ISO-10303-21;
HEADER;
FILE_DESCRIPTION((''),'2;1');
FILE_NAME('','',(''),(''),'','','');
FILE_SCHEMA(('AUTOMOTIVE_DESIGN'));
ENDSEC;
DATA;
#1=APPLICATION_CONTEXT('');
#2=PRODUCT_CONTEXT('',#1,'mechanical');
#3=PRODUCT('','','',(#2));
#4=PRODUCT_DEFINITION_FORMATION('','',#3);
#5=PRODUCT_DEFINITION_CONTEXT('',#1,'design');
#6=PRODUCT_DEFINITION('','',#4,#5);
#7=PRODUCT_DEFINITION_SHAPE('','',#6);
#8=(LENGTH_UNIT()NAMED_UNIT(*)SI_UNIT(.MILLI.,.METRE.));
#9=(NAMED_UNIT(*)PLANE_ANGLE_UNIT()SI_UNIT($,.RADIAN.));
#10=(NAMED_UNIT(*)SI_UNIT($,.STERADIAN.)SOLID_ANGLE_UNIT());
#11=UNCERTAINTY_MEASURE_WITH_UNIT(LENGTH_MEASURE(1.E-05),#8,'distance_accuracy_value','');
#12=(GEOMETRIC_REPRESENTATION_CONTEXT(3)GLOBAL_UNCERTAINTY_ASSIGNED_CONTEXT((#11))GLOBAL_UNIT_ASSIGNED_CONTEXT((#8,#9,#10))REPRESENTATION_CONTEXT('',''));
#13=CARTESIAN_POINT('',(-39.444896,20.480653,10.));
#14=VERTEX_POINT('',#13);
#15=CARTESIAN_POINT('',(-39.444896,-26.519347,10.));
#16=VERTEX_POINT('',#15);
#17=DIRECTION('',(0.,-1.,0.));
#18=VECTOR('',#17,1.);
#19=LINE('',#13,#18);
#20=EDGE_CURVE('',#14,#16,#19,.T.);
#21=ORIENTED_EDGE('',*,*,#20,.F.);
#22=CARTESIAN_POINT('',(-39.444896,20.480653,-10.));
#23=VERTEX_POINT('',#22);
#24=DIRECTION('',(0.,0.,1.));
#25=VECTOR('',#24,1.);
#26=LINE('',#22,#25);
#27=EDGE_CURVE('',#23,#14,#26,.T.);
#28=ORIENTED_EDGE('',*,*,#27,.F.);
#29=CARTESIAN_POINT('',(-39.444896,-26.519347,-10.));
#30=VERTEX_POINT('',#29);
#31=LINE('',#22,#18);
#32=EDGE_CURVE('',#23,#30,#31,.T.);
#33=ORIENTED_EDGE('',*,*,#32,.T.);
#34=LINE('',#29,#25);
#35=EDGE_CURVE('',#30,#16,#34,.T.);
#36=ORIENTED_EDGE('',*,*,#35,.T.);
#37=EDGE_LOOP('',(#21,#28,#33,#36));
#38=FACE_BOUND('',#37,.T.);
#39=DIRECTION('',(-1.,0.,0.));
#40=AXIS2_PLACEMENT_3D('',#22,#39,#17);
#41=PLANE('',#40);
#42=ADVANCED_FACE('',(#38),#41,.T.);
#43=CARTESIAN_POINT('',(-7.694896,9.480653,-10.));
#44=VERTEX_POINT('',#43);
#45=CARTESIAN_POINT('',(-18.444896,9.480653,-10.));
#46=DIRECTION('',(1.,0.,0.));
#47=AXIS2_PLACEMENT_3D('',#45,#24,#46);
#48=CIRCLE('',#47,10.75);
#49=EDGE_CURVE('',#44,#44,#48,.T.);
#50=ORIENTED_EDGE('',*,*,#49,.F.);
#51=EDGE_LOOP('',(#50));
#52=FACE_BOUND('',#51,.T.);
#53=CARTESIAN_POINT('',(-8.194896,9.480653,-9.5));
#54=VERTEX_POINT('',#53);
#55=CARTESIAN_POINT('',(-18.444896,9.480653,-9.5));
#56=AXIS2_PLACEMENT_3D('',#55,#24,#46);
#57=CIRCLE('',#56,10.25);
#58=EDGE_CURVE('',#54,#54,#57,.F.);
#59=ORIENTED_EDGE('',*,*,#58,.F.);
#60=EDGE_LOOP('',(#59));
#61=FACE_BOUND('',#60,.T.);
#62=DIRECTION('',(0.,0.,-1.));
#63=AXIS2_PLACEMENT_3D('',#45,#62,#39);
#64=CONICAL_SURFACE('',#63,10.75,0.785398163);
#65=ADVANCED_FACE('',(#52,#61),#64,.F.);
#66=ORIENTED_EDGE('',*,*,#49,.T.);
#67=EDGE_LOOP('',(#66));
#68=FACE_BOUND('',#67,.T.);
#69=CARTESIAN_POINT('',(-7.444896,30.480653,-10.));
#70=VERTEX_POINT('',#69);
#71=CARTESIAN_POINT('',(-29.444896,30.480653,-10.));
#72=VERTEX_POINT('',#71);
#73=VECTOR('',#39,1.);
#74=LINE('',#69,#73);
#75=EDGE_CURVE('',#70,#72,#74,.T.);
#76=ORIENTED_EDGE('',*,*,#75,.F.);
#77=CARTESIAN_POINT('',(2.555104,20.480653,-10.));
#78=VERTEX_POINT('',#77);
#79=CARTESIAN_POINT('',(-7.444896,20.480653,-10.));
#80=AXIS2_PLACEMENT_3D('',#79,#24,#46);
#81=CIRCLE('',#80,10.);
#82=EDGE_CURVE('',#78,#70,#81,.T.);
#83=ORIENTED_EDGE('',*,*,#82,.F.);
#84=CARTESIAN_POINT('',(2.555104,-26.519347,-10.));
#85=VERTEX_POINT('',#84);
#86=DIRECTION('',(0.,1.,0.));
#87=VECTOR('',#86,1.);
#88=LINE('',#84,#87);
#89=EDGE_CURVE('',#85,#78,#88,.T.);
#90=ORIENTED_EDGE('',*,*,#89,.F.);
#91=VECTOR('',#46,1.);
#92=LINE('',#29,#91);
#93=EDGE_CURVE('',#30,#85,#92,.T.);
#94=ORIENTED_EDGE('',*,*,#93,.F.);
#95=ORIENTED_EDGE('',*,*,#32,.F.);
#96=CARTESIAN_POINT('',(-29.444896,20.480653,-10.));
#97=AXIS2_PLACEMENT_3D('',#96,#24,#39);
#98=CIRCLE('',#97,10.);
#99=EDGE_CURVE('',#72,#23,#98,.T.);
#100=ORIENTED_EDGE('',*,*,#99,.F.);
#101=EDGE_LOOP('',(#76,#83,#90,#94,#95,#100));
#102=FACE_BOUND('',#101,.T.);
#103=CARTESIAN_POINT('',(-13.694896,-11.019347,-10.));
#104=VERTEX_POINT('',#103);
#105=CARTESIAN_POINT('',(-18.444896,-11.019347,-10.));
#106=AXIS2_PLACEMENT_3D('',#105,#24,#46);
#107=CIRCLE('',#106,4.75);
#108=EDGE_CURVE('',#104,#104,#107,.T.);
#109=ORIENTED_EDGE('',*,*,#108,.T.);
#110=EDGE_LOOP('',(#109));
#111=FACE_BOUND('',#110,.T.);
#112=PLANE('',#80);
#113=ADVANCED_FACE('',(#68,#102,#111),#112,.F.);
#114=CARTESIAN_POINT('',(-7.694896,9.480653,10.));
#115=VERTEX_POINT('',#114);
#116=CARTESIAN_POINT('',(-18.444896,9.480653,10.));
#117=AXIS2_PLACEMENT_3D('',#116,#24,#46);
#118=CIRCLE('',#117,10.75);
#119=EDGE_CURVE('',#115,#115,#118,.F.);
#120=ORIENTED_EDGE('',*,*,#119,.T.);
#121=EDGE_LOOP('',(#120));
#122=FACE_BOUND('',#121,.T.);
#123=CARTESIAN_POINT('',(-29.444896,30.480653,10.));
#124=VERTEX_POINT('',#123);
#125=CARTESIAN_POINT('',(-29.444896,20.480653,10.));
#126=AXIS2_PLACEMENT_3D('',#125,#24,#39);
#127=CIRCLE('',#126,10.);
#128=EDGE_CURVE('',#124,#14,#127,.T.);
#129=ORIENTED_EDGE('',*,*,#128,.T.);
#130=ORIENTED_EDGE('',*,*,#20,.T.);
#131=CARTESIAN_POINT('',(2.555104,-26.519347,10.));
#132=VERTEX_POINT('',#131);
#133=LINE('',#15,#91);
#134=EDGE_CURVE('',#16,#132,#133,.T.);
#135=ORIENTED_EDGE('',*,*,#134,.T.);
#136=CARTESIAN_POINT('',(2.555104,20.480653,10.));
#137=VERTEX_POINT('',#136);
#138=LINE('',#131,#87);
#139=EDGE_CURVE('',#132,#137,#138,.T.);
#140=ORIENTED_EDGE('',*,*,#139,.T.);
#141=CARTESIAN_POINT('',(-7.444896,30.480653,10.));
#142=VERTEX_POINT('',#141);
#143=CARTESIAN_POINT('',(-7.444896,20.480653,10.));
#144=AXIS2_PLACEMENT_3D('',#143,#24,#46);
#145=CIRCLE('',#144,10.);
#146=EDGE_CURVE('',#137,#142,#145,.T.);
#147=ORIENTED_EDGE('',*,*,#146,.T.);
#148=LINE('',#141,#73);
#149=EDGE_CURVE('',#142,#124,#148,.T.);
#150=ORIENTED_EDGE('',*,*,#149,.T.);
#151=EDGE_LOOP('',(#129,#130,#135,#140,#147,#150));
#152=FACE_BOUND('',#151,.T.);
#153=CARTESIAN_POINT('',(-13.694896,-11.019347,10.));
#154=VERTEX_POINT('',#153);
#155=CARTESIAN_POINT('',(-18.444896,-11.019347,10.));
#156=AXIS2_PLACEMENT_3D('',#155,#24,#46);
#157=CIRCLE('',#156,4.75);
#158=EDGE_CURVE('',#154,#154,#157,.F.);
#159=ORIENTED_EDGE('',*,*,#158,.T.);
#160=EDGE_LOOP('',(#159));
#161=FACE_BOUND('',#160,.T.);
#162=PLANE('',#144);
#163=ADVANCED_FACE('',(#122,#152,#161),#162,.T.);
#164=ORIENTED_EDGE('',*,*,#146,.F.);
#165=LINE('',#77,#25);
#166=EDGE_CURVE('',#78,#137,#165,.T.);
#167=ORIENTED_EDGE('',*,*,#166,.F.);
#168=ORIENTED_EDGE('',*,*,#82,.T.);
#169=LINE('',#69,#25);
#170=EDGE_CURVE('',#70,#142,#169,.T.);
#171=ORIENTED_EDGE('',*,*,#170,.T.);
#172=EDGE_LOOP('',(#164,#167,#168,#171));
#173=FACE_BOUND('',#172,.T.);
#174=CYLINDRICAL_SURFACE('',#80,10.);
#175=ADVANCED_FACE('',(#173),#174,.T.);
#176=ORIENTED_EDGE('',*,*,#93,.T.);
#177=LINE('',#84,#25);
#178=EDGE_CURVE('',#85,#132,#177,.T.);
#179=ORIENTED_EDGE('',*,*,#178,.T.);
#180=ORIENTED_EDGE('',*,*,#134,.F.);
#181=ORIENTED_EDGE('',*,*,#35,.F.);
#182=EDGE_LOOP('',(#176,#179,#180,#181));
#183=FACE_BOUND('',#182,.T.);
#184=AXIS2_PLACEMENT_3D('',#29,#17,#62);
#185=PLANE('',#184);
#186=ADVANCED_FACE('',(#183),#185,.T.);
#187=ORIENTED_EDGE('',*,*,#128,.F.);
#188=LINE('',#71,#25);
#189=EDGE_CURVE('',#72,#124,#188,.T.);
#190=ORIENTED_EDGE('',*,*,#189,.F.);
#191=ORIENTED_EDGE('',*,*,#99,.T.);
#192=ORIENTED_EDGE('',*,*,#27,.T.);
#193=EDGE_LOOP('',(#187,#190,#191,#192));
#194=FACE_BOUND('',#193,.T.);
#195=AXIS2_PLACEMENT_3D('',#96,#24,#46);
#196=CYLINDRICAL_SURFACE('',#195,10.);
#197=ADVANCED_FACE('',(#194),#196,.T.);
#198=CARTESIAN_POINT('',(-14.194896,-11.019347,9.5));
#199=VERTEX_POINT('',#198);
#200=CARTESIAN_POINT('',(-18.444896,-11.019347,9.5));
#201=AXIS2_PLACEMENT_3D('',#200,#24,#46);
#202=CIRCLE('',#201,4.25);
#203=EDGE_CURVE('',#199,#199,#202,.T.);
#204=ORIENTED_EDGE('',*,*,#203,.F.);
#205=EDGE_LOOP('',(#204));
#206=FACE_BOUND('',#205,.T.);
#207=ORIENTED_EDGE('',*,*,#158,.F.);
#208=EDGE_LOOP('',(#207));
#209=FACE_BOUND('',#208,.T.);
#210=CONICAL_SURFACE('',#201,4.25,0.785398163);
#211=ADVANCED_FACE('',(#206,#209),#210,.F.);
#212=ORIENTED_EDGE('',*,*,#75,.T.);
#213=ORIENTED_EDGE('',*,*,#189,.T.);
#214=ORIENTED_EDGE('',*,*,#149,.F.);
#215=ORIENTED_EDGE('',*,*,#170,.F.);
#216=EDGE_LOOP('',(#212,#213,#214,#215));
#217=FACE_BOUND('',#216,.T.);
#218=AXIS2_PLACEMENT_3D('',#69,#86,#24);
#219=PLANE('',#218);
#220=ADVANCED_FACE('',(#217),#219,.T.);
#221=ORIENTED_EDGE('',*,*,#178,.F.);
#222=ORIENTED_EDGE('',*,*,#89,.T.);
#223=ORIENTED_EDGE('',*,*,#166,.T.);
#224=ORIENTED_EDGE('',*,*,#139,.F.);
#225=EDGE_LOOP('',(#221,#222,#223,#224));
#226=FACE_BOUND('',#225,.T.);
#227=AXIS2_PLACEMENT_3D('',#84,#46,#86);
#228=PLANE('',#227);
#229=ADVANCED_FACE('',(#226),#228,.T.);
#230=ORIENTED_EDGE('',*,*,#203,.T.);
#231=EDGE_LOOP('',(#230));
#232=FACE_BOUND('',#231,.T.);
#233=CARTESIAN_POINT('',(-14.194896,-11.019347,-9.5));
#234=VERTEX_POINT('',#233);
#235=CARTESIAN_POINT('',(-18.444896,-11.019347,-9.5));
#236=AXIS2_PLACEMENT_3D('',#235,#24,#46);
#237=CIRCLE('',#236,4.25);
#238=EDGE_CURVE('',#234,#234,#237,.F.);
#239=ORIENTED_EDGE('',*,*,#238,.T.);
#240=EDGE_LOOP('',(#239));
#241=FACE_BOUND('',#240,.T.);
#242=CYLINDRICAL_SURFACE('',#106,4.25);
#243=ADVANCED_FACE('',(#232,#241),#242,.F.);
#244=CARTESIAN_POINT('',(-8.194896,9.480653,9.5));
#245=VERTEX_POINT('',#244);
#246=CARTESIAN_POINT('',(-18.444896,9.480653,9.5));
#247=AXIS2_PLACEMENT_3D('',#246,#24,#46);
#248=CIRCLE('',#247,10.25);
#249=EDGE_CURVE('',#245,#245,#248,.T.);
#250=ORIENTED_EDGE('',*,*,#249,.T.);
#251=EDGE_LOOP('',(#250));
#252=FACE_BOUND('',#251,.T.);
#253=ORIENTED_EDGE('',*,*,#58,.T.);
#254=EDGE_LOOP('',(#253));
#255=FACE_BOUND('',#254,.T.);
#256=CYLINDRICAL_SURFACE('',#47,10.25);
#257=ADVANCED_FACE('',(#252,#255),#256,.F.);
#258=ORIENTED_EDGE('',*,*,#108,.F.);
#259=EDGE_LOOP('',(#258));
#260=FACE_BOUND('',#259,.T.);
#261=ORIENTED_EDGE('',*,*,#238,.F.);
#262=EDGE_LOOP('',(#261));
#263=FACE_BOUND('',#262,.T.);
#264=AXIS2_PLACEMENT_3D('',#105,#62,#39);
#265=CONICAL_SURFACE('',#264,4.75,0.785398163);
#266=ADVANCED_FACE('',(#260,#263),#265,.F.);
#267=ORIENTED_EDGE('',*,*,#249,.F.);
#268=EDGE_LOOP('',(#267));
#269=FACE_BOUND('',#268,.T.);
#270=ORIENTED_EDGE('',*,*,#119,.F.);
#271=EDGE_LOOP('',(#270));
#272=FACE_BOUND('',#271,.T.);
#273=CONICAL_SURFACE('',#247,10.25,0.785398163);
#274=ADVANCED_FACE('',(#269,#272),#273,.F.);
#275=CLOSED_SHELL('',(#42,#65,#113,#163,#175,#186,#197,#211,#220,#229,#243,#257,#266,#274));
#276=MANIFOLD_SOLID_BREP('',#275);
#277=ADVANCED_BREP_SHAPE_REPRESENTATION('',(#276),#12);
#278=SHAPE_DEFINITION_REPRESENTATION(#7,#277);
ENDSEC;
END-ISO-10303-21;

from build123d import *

# Parameters (mm, degrees)
SKETCH1_R           = 10.25
SKETCH1_R_2         = 4.25
BOSS_EXTRUDE1_DEPTH = 10
CHAMFER1_SIZE       = 0.5
CHAMFER2_SIZE       = 0.5


with BuildPart() as part:
    # Sketch1 → Boss-Extrude1 (new, symmetric)
    with BuildSketch(Plane.XY):
        with BuildLine():
            Line((-7.444896481, 30.480652594), (-29.444896481, 30.480652594))
            ThreePointArc((-29.444896481, 30.480652594), (-36.515964293, 27.551720406), (-39.444896481, 20.480652594))
            Line((-39.444896481, 20.480652594), (-39.444896481, -26.519347406))
            Line((-39.444896481, -26.519347406), (2.555103519, -26.519347406))
            Line((2.555103519, -26.519347406), (2.555103519, 20.480652594))
            ThreePointArc((2.555103519, 20.480652594), (-0.373828669, 27.551720406), (-7.444896481, 30.480652594))
        make_face()
        with Locations((-18.444896481, 9.480652594)):
            Circle(SKETCH1_R, mode=Mode.SUBTRACT)
        with Locations((-18.444896481, -11.019347406)):
            Circle(SKETCH1_R_2, mode=Mode.SUBTRACT)
    extrude(amount=BOSS_EXTRUDE1_DEPTH, both=True)

    # Chamfer1
    chamfer1_edges = [part.edges().sort_by_distance(p)[0] for p in [
        (-28.694896481, 9.480652594, -10),
        (-28.694896481, 9.480652594, 10),
    ]]
    chamfer(chamfer1_edges, length=CHAMFER1_SIZE)

    # Chamfer2
    chamfer2_edges = [part.edges().sort_by_distance(p)[0] for p in [
        (-22.694896481, -11.019347406, -10),
        (-22.694896481, -11.019347406, 10),
    ]]
    chamfer(chamfer2_edges, length=CHAMFER2_SIZE)


solid = part.part
